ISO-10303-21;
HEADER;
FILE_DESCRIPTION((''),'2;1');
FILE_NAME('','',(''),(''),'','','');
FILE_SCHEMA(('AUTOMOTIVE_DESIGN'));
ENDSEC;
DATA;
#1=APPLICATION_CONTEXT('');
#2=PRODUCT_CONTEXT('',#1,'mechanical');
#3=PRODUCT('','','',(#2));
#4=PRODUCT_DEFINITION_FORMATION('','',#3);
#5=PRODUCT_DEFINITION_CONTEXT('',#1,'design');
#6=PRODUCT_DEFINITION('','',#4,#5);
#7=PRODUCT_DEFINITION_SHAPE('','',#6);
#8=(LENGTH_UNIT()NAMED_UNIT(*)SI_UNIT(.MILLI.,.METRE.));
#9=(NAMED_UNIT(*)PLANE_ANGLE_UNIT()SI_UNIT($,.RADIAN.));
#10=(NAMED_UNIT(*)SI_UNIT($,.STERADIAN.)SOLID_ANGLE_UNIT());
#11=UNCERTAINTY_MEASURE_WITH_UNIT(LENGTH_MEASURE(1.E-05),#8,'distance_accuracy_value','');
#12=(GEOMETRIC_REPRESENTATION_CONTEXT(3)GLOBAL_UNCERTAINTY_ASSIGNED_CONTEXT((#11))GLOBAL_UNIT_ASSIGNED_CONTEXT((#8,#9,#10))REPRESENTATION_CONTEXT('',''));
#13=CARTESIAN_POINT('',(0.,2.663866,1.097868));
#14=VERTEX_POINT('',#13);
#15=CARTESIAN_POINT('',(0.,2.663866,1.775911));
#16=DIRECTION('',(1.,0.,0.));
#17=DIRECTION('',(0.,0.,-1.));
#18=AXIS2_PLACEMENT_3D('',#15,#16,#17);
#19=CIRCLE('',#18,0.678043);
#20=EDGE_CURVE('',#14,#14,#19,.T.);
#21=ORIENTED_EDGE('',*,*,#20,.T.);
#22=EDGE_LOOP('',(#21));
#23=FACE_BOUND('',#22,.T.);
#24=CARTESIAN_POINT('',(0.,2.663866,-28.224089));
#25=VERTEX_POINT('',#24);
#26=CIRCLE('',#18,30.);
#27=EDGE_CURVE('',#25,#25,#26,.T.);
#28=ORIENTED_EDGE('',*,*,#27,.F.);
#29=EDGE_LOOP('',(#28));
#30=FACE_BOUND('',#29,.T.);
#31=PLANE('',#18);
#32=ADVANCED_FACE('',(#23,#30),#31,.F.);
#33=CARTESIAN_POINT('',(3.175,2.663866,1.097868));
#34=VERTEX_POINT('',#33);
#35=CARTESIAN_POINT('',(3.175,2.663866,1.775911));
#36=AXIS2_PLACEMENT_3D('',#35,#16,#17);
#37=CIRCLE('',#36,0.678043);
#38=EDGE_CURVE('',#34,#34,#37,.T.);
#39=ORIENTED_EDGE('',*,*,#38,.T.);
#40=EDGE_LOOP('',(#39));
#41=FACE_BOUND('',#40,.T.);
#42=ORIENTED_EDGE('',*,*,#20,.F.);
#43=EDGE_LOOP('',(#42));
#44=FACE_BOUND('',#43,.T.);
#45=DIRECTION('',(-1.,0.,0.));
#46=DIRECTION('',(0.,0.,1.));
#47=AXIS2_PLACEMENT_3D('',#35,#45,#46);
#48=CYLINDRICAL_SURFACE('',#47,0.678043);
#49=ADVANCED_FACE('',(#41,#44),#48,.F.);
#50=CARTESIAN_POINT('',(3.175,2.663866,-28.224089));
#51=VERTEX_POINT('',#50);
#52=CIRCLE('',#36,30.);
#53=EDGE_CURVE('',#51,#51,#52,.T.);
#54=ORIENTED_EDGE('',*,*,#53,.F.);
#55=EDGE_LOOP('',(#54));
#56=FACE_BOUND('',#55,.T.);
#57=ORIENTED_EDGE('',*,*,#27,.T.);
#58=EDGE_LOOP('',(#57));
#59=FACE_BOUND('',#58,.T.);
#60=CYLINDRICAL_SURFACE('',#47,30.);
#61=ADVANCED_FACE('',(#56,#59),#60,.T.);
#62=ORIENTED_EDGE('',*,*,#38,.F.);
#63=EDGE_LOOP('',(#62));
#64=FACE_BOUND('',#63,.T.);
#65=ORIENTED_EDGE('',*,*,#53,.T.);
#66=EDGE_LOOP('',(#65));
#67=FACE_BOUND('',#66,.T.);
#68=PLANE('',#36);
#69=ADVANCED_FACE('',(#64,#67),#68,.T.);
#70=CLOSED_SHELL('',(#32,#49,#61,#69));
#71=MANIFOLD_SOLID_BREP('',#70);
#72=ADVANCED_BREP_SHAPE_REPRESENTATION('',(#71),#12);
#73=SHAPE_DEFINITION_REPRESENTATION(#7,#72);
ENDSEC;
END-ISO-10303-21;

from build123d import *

# Parameters (mm, degrees)
SKETCH1_R      = 30
SKETCH1_R_2    = 0.678042933
EXTRUDE1_DEPTH = 3.175


with BuildPart() as part:
    # Sketch1 → Extrude1 (new body)
    with BuildSketch(Plane(origin=(0, 0, 0), x_dir=(0, 0, -1), z_dir=(1, 0, 0))):
        with Locations((-1.775910693, 2.66386604)):
            Circle(SKETCH1_R)
        with Locations((-1.775910693, 2.66386604)):
            Circle(SKETCH1_R_2, mode=Mode.SUBTRACT)
    extrude(amount=EXTRUDE1_DEPTH)


solid = part.part
